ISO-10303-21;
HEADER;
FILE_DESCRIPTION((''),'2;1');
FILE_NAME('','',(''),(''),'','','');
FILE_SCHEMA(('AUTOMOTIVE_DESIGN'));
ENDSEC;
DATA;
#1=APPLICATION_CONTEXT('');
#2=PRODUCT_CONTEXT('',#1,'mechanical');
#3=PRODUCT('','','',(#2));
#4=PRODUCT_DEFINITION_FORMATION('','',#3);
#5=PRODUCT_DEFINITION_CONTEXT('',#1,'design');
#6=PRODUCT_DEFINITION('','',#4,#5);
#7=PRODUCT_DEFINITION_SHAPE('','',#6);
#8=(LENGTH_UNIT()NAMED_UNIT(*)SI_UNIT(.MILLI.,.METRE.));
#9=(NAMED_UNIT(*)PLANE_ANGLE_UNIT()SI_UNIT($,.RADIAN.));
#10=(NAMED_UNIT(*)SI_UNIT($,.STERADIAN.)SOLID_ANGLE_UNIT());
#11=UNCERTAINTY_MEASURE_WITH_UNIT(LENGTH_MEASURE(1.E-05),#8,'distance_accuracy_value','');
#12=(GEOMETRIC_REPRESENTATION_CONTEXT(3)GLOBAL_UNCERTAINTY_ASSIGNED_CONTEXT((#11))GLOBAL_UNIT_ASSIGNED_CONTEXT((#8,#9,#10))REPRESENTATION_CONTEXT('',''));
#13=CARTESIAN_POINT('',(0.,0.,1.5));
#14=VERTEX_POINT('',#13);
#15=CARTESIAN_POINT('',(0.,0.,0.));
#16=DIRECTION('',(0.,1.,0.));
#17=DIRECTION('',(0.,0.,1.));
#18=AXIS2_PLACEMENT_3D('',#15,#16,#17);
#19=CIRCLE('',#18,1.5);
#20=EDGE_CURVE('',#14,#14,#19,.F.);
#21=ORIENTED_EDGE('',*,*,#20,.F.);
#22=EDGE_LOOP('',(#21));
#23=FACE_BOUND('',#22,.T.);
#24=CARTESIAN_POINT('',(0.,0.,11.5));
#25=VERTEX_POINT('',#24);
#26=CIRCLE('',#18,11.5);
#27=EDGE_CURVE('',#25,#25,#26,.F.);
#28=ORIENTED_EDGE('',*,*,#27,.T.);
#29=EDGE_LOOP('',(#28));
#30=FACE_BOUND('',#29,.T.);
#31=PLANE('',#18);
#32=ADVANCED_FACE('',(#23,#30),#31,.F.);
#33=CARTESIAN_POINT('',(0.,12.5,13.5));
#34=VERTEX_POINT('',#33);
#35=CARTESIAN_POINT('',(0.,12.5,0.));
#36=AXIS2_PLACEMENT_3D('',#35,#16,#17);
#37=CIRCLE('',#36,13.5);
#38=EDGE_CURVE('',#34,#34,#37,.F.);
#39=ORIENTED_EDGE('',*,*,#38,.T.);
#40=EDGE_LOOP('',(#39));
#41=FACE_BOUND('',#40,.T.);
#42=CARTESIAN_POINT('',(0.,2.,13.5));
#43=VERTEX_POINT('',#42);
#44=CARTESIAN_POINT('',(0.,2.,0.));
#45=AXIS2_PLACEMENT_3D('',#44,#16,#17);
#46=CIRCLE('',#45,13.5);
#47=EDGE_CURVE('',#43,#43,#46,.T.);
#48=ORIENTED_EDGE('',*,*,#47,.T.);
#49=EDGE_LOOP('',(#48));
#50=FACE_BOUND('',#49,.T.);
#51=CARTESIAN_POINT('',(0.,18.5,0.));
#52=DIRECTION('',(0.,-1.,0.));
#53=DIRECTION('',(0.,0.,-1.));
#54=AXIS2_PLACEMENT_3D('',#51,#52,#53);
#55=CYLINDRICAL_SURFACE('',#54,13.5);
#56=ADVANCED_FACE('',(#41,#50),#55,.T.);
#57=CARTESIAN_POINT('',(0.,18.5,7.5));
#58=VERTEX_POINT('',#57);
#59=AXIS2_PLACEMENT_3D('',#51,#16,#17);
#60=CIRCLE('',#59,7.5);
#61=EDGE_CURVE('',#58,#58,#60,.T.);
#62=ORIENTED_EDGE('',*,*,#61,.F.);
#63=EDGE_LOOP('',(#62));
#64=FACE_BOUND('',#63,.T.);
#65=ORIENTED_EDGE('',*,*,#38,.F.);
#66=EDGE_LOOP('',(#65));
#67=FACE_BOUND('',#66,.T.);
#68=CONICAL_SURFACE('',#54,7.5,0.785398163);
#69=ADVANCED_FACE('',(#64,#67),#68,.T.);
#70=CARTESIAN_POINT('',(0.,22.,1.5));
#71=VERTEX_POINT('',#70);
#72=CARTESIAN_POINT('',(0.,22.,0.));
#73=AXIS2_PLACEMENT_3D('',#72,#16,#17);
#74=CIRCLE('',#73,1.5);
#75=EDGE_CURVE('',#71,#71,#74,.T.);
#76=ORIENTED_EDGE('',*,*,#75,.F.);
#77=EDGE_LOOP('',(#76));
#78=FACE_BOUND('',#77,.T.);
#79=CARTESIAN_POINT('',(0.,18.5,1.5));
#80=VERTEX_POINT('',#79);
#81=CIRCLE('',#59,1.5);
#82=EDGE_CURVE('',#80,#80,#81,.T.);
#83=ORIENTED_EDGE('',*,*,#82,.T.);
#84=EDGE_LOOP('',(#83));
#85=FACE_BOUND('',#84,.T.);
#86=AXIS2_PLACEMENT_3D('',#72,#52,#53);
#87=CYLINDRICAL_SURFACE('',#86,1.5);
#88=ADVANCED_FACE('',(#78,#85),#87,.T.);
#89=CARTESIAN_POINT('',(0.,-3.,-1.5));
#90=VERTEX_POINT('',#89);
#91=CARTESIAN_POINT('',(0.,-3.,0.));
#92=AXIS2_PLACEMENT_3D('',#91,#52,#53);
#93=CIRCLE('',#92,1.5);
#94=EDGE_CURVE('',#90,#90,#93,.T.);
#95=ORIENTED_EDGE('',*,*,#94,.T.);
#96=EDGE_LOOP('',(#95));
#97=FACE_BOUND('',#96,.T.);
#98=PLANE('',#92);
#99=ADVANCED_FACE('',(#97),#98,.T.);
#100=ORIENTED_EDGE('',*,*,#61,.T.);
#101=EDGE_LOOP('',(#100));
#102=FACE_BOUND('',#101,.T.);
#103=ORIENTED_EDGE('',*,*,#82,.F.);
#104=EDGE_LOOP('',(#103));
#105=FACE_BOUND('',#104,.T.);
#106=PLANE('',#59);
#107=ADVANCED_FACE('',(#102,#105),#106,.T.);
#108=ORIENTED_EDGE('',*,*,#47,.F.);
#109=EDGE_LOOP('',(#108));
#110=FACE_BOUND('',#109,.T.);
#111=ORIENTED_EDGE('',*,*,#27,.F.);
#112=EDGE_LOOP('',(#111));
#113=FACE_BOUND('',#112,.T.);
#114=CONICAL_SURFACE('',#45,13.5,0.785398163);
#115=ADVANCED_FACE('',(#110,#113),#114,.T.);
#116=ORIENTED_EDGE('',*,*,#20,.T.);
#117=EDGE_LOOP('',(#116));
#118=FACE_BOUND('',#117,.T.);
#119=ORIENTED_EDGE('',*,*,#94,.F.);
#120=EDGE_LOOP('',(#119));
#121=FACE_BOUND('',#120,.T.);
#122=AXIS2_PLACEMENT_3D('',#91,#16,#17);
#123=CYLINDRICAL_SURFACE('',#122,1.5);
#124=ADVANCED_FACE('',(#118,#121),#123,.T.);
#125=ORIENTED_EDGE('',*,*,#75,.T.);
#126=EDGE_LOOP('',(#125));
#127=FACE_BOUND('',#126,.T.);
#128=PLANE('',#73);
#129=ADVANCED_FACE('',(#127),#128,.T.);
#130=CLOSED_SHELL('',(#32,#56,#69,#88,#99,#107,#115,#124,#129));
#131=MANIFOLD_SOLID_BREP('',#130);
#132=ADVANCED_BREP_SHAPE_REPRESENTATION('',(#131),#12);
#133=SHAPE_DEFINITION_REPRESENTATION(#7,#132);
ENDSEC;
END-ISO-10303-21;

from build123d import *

# Parameters (mm, degrees)
SKETCH1_R           = 13.5
BOSS_EXTRUDE1_DEPTH = 18.5
SKETCH2_R           = 1.5
BOSS_EXTRUDE2_DEPTH = 3.5
BOSS_EXTRUDE3_START = 3
SKETCH3_R           = 1.5
BOSS_EXTRUDE3_DEPTH = 3
CHAMFER1_SIZE       = 6
CHAMFER2_SIZE       = 2


with BuildPart() as part:
    # Sketch1 → Boss-Extrude1 (new body)
    with BuildSketch(Plane(origin=(0, 0, 0), x_dir=(1, 0, 0), z_dir=(0, 1, 0))):
        with Locations(Location((0, 0, 0), (0, 0, 270))):
            Circle(SKETCH1_R)
    extrude(amount=BOSS_EXTRUDE1_DEPTH)

    # Sketch2 → Boss-Extrude2 (add)
    with BuildSketch(Plane(origin=(0, 18.5, 0), x_dir=(1, 0, 0), z_dir=(0, 1, 0))):
        with Locations(Location((0, 0, 0), (0, 0, 270))):
            Circle(SKETCH2_R)
    extrude(amount=BOSS_EXTRUDE2_DEPTH)

    # Sketch3 → Boss-Extrude3 (add)
    with BuildSketch(Plane.XZ.offset(BOSS_EXTRUDE3_START)):
        with Locations(Location((0, 0, 0), (0, 0, 90))):
            Circle(SKETCH3_R)
    extrude(amount=-BOSS_EXTRUDE3_DEPTH)

    # Chamfer1
    chamfer1_edges = [part.edges().sort_by_distance(p)[0] for p in [
        (0, 18.5, -13.5),
    ]]
    chamfer(chamfer1_edges, length=CHAMFER1_SIZE)

    # Chamfer2
    chamfer2_edges = [part.edges().sort_by_distance(p)[0] for p in [
        (0, 0, -13.5),
    ]]
    chamfer(chamfer2_edges, length=CHAMFER2_SIZE)


solid = part.part
